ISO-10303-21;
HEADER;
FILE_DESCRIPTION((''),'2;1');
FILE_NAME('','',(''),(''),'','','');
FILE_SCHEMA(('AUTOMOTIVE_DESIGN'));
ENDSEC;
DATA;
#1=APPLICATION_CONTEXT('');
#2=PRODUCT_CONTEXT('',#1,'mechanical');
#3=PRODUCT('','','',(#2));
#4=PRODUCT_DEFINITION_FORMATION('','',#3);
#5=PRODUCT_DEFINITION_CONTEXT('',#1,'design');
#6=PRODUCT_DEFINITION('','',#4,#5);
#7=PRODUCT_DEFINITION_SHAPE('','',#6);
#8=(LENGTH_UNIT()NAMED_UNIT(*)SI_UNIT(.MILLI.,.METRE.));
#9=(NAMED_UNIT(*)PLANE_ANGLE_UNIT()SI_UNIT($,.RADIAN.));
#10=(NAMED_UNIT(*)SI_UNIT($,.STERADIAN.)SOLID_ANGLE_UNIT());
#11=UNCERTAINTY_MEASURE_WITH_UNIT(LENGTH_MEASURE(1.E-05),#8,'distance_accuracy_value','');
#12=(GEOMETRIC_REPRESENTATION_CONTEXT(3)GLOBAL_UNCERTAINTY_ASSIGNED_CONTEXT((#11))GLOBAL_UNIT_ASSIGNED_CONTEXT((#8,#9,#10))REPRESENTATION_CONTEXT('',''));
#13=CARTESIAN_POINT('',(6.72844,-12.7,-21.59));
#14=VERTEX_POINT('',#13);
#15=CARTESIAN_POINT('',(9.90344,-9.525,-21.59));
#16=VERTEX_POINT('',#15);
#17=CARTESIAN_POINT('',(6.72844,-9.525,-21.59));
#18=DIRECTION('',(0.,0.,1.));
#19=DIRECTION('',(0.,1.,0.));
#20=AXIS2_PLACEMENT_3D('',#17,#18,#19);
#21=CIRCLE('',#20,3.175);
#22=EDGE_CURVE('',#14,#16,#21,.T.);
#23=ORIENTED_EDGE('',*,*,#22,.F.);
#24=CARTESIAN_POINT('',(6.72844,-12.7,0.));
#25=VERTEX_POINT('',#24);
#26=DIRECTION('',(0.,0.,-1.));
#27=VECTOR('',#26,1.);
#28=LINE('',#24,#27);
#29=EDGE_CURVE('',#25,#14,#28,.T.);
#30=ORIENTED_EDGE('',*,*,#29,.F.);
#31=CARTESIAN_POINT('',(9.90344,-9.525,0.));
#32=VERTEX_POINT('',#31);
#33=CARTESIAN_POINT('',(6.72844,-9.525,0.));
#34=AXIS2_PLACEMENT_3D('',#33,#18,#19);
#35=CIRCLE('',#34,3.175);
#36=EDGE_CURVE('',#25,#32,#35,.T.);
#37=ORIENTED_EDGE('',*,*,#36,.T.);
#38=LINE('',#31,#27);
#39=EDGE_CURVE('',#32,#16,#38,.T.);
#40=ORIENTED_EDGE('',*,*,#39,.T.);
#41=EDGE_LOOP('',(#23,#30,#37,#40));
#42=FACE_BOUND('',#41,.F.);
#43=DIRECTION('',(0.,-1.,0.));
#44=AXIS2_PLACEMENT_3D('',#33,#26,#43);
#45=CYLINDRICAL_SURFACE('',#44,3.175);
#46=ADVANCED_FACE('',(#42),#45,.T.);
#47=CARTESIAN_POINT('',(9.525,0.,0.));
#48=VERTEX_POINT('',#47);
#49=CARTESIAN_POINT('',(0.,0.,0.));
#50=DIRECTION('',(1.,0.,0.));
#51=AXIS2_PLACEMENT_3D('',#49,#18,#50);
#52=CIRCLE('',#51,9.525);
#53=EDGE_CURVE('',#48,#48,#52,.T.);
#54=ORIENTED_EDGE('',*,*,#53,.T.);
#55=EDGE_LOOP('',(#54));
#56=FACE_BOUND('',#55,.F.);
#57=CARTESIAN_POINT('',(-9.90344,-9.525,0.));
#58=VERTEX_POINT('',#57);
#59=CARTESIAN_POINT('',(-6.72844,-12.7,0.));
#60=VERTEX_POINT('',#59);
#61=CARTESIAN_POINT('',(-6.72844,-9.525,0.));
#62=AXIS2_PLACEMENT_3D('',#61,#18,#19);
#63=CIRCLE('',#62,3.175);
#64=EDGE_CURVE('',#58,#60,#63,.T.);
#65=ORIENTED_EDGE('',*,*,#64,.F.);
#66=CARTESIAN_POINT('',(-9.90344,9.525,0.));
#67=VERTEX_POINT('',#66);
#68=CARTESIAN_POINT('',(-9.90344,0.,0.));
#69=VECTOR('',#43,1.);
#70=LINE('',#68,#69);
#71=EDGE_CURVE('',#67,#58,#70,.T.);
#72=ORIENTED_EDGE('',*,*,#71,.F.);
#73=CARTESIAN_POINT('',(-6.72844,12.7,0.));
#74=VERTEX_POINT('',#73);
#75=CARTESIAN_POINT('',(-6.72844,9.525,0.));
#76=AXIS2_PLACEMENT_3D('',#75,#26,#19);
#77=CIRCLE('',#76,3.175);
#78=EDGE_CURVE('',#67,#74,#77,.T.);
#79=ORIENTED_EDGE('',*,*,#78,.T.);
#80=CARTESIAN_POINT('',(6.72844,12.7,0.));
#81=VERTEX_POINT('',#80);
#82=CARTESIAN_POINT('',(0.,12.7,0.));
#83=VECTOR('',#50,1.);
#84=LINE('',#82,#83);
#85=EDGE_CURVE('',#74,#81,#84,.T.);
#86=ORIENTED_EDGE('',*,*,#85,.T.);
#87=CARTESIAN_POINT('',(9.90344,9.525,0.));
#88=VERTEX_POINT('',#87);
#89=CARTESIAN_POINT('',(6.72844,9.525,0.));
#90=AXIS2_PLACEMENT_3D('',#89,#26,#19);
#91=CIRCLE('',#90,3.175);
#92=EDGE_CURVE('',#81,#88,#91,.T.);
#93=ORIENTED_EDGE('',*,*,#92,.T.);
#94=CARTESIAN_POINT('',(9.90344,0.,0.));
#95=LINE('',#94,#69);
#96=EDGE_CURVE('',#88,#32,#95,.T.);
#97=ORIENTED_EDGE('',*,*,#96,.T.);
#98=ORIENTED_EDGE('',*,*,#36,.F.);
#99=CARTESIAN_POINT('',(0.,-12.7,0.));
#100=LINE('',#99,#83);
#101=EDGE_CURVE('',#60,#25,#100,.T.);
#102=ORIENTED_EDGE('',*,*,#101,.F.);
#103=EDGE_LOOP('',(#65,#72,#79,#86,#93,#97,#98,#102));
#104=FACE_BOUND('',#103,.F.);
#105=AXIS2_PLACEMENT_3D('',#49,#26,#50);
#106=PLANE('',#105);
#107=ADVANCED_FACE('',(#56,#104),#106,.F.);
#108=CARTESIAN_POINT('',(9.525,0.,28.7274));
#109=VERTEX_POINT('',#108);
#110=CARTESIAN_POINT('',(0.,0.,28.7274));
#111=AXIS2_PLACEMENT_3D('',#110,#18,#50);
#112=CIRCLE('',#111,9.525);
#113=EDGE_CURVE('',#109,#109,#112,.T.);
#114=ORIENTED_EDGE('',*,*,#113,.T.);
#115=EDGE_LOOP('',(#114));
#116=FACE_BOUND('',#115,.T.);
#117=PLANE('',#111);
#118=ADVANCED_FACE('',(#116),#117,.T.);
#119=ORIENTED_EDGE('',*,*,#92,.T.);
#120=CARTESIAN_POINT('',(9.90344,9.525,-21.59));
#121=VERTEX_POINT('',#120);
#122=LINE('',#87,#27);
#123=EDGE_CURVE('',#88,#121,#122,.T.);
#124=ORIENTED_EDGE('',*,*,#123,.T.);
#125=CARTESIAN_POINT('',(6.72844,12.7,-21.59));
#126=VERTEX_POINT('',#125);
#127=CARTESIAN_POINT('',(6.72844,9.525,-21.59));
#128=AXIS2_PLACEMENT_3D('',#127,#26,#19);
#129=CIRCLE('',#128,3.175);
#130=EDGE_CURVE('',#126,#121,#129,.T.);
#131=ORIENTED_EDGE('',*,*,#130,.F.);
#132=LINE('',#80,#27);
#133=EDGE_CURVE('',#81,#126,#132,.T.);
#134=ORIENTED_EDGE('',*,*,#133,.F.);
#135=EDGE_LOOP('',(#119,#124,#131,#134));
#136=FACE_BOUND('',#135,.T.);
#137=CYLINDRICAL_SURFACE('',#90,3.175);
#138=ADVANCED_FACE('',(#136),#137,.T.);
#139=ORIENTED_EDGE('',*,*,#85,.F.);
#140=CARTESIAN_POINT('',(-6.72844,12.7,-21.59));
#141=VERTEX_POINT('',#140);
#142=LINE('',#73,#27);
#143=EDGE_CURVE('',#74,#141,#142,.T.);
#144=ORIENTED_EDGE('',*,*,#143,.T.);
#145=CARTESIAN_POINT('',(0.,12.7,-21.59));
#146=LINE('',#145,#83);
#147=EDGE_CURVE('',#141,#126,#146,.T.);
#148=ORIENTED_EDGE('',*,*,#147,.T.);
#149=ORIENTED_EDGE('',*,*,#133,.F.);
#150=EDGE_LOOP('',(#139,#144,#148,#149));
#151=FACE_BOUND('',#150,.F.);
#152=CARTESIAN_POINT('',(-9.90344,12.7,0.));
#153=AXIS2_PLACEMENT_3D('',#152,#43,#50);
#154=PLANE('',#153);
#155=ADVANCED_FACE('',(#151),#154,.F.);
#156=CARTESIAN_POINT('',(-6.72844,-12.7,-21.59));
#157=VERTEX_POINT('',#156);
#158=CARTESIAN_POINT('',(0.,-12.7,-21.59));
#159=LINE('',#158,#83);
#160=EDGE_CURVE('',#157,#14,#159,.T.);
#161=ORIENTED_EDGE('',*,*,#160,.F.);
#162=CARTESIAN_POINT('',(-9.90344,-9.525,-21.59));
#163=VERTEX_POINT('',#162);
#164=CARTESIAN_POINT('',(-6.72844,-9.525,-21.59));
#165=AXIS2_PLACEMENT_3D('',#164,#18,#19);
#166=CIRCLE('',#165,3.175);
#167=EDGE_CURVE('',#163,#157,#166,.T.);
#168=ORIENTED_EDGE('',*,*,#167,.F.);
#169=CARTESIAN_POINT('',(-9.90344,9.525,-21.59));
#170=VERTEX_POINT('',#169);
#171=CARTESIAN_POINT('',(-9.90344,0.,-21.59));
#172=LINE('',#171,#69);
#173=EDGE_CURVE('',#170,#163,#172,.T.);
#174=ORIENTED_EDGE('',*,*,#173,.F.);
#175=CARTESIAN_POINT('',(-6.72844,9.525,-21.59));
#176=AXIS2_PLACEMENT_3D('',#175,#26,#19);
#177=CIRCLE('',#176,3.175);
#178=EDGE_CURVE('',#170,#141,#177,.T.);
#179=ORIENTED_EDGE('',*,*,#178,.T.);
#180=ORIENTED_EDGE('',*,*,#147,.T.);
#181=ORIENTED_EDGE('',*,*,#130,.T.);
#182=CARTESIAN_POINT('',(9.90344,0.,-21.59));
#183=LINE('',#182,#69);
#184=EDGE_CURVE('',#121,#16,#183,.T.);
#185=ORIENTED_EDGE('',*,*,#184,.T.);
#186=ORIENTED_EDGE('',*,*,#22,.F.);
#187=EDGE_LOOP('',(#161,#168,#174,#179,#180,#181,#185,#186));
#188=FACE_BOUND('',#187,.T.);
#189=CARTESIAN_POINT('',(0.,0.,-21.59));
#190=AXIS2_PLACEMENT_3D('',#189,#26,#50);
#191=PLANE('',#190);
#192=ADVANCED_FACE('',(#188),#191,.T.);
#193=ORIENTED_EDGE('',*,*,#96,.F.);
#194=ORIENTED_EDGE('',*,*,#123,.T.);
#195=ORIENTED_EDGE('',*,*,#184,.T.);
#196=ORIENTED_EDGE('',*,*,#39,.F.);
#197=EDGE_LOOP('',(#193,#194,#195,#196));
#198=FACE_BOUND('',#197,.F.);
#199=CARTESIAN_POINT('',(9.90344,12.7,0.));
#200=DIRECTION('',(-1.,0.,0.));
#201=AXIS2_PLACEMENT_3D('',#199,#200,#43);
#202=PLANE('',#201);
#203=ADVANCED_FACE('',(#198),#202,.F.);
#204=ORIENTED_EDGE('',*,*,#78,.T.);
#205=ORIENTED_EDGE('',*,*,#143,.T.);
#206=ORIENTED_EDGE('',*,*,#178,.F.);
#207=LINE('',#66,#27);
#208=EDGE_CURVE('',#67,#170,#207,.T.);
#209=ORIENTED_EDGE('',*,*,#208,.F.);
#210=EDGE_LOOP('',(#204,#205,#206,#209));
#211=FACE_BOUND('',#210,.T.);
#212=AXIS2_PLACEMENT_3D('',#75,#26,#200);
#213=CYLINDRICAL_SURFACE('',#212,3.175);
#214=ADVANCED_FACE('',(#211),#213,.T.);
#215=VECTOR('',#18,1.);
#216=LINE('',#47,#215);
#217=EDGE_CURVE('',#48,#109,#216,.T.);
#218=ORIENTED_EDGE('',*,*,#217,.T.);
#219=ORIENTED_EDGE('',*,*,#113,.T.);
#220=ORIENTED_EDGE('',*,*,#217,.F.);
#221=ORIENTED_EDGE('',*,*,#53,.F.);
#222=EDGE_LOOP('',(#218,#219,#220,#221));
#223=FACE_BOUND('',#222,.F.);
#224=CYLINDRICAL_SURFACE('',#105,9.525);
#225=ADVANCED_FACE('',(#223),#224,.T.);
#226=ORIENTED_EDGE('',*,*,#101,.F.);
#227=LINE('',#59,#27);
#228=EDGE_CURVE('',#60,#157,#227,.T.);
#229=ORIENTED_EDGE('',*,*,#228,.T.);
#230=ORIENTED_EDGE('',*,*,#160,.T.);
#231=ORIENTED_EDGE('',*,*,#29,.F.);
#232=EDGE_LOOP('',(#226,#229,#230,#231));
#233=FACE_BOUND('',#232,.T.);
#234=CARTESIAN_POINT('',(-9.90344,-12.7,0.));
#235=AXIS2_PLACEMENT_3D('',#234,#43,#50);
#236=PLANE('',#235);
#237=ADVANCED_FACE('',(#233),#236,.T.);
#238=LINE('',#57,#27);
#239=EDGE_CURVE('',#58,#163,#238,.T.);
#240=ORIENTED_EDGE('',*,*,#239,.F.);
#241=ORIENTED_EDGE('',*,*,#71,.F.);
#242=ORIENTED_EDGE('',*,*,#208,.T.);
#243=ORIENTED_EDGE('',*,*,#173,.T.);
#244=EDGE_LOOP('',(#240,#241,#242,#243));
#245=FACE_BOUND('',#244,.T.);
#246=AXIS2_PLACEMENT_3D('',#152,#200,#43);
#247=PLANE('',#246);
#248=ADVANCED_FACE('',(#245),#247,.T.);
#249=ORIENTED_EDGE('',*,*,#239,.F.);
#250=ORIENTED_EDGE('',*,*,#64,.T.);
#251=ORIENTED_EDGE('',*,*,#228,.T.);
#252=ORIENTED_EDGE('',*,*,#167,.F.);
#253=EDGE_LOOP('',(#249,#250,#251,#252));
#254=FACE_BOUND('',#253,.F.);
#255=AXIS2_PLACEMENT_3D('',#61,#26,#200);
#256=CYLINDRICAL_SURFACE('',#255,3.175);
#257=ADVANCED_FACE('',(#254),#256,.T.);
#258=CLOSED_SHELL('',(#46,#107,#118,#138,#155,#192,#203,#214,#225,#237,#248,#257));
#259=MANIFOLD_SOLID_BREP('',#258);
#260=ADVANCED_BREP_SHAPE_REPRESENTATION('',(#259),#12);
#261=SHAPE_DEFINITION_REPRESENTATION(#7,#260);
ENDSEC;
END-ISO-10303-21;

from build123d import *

# Parameters (mm, degrees)
F0_R     = 9.525
F1_DEPTH = 28.7274
F2_W     = 19.80688
F2_H     = 25.4
F3_DEPTH = 21.59
F4_R     = 3.175


with BuildPart() as f1:
    # F0 (on Top) → F1 (new body)
    with BuildSketch(Plane.XY):
        Circle(F0_R)
    extrude(amount=F1_DEPTH)

    # F2 (on face) → F3 (join)
    with BuildSketch(Plane(origin=(0, 0, 0), x_dir=(1, 0, 0), z_dir=(0, 0, -1))):
        Rectangle(F2_W, F2_H)
    extrude(amount=F3_DEPTH)

    # F4
    f4_edges = [f1.edges().sort_by_distance(p)[0] for p in [
        (9.90344, -12.7, -10.795),
        (-9.90344, -12.7, -10.795),
        (9.90344, 12.7, -10.795),
        (-9.90344, 12.7, -10.795),
    ]]
    fillet(f4_edges, radius=F4_R)


solid = f1.part
